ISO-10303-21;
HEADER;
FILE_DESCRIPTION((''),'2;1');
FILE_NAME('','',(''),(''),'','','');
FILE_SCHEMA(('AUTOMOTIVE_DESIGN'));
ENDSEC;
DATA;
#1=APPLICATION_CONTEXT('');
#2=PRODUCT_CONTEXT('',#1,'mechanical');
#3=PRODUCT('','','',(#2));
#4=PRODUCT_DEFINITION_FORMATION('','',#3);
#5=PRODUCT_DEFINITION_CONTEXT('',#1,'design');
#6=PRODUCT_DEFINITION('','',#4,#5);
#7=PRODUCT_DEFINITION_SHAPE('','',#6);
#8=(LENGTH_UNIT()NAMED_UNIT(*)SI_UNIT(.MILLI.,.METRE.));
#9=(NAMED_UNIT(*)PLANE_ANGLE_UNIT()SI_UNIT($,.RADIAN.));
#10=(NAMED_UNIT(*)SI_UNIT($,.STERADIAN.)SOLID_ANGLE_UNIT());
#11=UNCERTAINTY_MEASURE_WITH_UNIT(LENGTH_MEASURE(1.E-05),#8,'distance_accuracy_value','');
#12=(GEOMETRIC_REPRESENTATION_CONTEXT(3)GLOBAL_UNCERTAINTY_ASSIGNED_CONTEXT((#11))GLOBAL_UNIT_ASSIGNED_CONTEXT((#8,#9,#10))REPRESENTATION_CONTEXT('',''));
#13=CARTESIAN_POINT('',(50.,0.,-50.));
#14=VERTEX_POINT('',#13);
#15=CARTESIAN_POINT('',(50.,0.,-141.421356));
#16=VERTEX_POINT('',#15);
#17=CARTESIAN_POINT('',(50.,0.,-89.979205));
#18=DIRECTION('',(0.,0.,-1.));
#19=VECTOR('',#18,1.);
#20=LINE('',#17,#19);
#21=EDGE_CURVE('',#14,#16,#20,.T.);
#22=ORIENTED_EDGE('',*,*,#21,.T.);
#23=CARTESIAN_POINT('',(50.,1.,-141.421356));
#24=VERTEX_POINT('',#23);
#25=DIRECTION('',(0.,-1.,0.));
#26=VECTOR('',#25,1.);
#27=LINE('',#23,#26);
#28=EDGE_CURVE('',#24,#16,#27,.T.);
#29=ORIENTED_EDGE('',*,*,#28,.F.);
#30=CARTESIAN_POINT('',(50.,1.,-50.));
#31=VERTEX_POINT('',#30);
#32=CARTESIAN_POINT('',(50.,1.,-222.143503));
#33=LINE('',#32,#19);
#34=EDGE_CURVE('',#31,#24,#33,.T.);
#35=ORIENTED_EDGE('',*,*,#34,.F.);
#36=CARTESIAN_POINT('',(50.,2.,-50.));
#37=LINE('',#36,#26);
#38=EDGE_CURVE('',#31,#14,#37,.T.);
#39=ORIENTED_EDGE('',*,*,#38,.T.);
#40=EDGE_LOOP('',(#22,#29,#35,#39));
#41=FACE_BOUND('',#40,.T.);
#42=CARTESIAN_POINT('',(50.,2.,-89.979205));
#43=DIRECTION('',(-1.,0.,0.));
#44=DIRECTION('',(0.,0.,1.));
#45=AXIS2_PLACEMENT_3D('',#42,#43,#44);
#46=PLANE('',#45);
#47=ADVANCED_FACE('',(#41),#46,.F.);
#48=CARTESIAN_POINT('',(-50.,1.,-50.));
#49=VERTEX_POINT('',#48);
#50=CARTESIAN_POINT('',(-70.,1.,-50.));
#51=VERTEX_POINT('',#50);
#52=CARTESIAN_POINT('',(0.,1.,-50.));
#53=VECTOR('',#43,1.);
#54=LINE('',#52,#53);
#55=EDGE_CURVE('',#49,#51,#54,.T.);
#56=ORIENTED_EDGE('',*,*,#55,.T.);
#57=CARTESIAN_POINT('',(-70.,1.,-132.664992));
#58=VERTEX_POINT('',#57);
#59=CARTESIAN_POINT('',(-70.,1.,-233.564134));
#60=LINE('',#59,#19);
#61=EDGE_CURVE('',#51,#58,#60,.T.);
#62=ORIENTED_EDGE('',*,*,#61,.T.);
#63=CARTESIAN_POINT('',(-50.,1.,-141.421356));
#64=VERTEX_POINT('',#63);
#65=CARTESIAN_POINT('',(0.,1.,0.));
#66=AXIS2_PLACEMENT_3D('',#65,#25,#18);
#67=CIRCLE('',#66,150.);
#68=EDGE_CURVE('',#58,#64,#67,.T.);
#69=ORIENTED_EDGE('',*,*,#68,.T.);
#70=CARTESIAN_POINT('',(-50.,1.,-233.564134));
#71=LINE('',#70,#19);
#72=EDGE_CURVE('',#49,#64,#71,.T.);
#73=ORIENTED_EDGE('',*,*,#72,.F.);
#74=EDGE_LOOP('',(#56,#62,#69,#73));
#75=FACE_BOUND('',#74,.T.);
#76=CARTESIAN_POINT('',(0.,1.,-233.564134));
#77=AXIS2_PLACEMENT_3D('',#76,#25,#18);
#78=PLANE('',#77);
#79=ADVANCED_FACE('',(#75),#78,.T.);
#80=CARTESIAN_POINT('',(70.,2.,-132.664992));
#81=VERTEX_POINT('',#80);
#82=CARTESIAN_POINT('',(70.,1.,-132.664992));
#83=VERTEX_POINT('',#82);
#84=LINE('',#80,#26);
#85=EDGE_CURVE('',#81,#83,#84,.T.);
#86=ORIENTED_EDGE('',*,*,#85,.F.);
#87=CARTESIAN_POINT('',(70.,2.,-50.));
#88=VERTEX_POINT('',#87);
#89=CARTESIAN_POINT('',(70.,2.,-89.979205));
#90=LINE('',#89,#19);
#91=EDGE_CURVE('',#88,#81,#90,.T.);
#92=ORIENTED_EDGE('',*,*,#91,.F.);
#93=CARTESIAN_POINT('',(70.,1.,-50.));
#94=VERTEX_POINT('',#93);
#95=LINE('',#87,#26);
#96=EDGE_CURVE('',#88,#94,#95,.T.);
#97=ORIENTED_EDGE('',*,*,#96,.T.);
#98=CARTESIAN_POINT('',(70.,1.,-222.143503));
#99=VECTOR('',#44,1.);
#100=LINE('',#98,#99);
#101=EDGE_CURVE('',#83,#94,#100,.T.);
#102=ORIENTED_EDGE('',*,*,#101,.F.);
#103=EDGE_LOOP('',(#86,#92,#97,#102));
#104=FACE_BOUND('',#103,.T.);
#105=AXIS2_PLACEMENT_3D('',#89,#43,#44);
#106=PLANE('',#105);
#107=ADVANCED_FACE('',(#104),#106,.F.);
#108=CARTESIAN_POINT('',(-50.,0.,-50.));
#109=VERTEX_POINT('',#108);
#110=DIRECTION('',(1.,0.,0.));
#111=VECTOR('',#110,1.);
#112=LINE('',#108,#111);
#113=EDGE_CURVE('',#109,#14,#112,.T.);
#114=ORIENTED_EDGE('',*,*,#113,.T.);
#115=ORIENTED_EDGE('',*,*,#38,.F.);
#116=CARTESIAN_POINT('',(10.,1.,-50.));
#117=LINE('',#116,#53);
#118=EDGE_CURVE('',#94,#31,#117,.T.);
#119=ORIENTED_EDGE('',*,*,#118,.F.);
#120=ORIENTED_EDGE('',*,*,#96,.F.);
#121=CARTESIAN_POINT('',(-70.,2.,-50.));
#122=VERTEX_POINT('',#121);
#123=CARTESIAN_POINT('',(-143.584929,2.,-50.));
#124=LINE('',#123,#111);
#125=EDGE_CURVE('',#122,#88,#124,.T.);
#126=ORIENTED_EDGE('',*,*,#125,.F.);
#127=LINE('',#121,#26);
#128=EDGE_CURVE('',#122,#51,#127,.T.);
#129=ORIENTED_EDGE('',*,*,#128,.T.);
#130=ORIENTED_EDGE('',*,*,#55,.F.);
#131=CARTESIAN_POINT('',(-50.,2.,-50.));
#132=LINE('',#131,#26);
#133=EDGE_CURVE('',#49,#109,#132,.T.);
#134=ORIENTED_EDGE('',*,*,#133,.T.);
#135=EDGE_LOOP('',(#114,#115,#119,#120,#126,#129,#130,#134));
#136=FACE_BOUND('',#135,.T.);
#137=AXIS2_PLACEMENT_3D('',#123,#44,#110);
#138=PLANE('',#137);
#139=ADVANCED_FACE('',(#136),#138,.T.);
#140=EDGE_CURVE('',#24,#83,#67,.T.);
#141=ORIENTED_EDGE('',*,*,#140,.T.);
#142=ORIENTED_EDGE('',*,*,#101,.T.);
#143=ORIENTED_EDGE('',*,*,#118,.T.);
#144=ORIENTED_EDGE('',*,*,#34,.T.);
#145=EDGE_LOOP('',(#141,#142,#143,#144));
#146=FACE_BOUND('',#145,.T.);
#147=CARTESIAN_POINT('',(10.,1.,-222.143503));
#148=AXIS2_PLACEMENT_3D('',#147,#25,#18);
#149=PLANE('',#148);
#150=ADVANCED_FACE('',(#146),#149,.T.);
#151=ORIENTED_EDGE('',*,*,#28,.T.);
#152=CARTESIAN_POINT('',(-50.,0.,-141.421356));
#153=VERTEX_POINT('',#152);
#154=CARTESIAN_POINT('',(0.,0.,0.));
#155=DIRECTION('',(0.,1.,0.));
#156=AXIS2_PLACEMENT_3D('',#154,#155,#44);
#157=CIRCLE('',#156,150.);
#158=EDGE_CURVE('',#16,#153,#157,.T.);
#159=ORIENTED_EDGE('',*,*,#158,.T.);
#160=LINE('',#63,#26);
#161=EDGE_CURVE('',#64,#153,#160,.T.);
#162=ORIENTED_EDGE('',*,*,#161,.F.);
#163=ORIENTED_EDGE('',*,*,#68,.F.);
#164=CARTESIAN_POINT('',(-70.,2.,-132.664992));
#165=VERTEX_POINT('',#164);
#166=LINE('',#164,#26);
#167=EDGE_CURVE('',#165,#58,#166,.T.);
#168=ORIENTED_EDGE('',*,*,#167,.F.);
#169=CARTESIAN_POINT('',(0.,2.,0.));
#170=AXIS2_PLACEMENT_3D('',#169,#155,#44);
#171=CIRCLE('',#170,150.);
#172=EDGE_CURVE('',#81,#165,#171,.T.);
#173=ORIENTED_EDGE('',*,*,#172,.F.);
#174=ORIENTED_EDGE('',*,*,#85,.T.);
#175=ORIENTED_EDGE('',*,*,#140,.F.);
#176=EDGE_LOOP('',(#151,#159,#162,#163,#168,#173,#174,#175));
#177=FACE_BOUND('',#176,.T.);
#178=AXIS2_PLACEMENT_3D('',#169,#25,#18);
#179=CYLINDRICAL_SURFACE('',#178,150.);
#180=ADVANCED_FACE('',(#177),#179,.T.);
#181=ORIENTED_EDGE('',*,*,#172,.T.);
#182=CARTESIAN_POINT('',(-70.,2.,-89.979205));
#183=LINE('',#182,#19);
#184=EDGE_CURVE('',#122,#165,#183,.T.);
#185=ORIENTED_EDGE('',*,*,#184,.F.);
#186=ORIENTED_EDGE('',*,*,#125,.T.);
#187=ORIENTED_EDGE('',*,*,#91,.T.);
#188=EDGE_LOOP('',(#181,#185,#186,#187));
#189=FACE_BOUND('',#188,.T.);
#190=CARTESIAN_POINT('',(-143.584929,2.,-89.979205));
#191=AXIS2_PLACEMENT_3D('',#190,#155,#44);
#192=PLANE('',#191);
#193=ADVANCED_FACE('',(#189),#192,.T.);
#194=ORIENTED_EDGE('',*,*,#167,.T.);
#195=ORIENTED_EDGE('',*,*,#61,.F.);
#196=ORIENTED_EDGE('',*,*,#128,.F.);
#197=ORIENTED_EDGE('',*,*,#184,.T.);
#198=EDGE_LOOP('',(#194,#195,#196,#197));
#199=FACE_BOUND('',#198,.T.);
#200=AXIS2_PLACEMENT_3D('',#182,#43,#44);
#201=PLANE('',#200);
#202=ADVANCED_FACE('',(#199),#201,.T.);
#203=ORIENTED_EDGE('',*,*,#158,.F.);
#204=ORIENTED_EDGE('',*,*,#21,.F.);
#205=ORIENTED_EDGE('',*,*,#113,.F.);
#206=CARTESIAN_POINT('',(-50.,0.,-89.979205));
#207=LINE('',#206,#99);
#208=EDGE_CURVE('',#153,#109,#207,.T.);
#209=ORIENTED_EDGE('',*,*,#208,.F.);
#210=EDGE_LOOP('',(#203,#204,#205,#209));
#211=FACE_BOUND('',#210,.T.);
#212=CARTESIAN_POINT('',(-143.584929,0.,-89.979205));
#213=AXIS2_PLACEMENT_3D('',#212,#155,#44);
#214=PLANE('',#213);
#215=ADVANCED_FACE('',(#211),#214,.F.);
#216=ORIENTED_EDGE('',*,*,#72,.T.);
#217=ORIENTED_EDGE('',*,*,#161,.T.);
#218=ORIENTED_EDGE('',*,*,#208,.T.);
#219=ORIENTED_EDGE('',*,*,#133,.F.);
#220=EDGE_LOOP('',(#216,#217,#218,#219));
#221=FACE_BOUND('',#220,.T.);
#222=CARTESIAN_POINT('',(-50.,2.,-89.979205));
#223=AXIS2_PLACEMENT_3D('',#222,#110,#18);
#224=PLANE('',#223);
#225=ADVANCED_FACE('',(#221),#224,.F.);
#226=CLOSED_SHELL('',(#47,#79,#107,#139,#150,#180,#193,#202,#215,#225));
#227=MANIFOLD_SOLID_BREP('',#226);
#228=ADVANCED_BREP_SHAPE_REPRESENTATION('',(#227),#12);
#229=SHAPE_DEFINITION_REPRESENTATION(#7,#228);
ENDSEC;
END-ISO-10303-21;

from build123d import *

# Parameters (mm, degrees)
BOSS_EXTRUDE3_DEPTH = 2
BOSS_EXTRUDE4_DEPTH = 1
CUT_EXTRUDE4_DEPTH  = 1
CUT_EXTRUDE5_DEPTH  = 1
SKETCH7_W           = 100
SKETCH7_H           = 20.041590073
CUT_EXTRUDE6_DEPTH  = 166.541535573


with BuildPart() as part:
    # Sketch1 → Boss-Extrude3 (new body)
    with BuildSketch(Plane(origin=(0, 0, 0), x_dir=(1, 0, 0), z_dir=(0, 1, 0))):
        with BuildLine():
            Line((50, 29.958409927), (50, 50))
            Line((50, 50), (70, 50))
            Line((70, 50), (70, 132.664991614))
            ThreePointArc((70, 132.664991614), (0, 150), (-70, 132.664991614))
            Line((-70, 132.664991614), (-70, 50))
            Line((-70, 50), (-50, 50))
            Line((-50, 50), (-50, 29.958409927))
            Line((-50, 29.958409927), (50, 29.958409927))
        make_face()
    extrude(amount=BOSS_EXTRUDE3_DEPTH)

    # Sketch2 → Boss-Extrude4 (add)
    with BuildSketch(Plane.XZ):
        with BuildLine():
            Line((50, -50), (-50, -50))
            Line((-50, -50), (-50, -141.421356237))
            ThreePointArc((-50, -141.421356237), (0, -150), (50, -141.421356237))
            Line((50, -141.421356237), (50, -50))
        make_face()
    extrude(amount=-BOSS_EXTRUDE4_DEPTH)

    # Sketch5 → Cut-Extrude4 (cut)
    with BuildSketch(Plane.XZ):
        with BuildLine():
            Line((-50, -141.421356237), (-50, -50))
            Line((-50, -50), (-70, -50))
            Line((-70, -50), (-70, -132.664991614))
            ThreePointArc((-70, -132.664991614), (-60.159525267, -137.407538074), (-50, -141.421356237))
        make_face()
    extrude(amount=-CUT_EXTRUDE4_DEPTH, mode=Mode.SUBTRACT)

    # Sketch6 → Cut-Extrude5 (cut)
    with BuildSketch(Plane.XZ):
        with BuildLine():
            ThreePointArc((50, -141.421356237), (60.159525267, -137.407538074), (70, -132.664991614))
            Line((70, -132.664991614), (70, -50))
            Line((70, -50), (50, -50))
            Line((50, -50), (50, -141.421356237))
        make_face()
    extrude(amount=-CUT_EXTRUDE5_DEPTH, mode=Mode.SUBTRACT)

    # Sketch7 → Cut-Extrude6 (cut, through all)
    with BuildSketch(Plane.XZ):
        with Locations((0, -39.979204964)):
            Rectangle(SKETCH7_W, SKETCH7_H)
    extrude(amount=-CUT_EXTRUDE6_DEPTH, mode=Mode.SUBTRACT)


solid = part.part
